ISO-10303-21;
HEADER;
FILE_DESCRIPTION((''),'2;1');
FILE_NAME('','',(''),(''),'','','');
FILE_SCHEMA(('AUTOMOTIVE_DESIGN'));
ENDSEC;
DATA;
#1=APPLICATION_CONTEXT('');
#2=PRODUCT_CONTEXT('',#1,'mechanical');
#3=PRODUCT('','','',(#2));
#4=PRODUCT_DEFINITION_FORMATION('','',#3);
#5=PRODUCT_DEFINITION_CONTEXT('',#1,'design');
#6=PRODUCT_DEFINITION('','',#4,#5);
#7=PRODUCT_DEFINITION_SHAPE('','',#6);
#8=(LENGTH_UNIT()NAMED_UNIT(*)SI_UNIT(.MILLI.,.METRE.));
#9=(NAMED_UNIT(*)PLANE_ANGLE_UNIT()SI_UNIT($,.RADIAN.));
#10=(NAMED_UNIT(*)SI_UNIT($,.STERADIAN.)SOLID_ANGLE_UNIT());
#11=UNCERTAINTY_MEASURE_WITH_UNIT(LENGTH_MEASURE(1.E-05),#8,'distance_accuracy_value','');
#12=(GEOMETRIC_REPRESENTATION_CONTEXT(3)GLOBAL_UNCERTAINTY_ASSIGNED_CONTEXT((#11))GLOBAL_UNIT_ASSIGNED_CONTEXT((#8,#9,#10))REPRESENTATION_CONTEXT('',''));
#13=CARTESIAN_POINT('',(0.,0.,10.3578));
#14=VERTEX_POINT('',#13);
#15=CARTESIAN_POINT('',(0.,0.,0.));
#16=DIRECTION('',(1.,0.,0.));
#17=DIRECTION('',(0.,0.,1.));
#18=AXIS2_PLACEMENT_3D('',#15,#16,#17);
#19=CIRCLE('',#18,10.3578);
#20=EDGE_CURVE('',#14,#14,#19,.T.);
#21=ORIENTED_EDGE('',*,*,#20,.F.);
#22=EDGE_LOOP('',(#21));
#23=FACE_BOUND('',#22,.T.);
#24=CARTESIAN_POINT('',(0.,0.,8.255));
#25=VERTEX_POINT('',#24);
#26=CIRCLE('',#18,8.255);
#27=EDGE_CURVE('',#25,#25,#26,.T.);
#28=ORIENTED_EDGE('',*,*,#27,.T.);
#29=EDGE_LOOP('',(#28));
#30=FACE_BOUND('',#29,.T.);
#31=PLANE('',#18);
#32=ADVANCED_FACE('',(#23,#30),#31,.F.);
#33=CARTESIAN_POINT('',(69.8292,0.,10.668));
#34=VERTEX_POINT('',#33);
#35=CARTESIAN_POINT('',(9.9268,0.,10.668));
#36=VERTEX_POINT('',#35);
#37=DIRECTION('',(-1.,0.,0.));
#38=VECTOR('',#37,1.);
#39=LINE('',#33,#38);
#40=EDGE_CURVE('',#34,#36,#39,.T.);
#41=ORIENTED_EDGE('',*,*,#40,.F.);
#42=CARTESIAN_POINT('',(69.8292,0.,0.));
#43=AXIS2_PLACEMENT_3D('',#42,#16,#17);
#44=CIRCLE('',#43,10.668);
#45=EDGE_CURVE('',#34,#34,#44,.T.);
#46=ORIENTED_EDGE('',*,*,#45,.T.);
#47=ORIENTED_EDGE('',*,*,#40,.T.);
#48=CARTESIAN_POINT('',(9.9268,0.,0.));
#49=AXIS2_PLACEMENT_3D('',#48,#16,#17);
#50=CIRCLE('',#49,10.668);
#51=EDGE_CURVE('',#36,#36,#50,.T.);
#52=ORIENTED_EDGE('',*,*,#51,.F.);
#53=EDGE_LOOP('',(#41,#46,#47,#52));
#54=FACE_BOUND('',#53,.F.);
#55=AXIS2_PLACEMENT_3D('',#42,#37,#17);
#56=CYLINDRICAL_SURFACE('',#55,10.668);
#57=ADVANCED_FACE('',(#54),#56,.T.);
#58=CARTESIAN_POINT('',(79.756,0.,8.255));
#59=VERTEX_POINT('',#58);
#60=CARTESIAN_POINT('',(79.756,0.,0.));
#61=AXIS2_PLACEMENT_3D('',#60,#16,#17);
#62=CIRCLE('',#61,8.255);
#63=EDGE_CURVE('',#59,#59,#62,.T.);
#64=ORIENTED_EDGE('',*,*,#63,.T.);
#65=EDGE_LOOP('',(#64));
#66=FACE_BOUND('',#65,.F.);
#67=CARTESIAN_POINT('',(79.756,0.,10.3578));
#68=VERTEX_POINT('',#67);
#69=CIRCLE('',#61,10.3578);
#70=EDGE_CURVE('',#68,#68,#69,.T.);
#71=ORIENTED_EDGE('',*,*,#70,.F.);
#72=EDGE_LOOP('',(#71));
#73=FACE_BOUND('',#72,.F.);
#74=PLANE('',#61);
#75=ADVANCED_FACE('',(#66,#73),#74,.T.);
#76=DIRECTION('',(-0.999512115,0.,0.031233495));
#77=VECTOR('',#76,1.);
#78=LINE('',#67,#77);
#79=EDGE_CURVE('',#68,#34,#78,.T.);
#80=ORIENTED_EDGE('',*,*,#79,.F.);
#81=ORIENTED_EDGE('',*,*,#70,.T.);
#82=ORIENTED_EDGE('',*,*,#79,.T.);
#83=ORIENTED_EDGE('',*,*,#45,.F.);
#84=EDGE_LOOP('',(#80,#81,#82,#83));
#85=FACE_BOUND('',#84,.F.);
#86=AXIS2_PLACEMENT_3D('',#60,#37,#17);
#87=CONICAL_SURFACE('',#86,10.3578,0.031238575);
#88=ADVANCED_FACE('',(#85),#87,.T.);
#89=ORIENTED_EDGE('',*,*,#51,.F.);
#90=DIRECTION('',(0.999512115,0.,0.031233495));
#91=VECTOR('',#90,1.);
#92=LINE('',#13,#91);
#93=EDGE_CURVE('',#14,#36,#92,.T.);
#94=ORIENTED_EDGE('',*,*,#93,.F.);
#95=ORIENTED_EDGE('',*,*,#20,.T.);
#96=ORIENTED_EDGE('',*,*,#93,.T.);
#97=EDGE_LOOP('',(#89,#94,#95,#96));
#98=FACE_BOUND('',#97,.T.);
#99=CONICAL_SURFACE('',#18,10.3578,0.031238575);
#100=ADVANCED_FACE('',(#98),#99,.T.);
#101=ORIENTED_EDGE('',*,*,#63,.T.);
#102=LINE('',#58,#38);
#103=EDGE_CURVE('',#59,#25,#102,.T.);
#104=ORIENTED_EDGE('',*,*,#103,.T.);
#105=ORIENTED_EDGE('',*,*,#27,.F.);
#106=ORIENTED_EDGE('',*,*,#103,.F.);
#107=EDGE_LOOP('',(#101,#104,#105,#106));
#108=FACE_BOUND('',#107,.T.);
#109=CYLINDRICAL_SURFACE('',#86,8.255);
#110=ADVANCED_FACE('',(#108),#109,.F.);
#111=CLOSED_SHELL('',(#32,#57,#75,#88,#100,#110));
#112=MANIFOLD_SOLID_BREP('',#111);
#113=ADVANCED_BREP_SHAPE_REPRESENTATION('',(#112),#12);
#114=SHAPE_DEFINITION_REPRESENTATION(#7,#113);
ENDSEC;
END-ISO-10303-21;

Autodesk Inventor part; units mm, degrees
ref_plane "YZ Plane" through (0, 0, 0) normal (1, 0, 0) x (0, 1, 0)
ref_plane "XZ Plane" through (0, 0, 0) normal (0, 1, 0) x (-1, 0, 0)
ref_plane "XY Plane" through (0, 0, 0) normal (0, 0, 1) x (1, 0, 0)
sketch "Sketch1" plane through (0, 0, 0) normal (0, 1, 0) x (-1, 0, 0)
  line L0 (0, 0) -> (-79.756, 0)
  line L1 (-79.756, 0) -> (-79.756, 8.255) construction
  line L2 (-79.756, 8.255) -> (-79.756, 10.3578)
  line L3 (-79.756, 10.3578) -> (-69.8292, 10.668)
  line L4 (-69.8292, 10.668) -> (-9.9268, 10.668)
  line L5 (-39.878, 0) -> (-39.878, 10.668) construction
  line L6 (-79.756, 8.255) -> (0, 8.255)
  line L7 (0, 0) -> (0, 8.255) construction
  line L8 (0, 8.255) -> (0, 10.3578)
  line L9 (0, 10.3578) -> (-9.9268, 10.668)
  line L10 (-66.2, 10.7814) -> (-66.2, 0) construction
  line L11 (-13.556, 10.7814) -> (-13.556, 0) construction
  line L12 (-69.8292, 10.668) -> (-66.2, 10.7814) construction
  line L13 (-69.8292, 10.668) -> (-69.8292, 0) construction
  line L14 (-9.9268, 10.668) -> (-13.556, 10.7814) construction
  line L15 (-9.9268, 10.668) -> (-9.9268, 0) construction
  dimension "d0" = 21.336
  dimension "d1" = 1.79
  dimension "d2" = 16.51
  dimension "d3" = 79.756
  dimension "d4" = 13.556
  dimension "d5" = 21.5628
revolve "Revolution1" add sketch "Sketch1" angle 360 about axis through (0, 0, 0) along (1, 0, 0)
thread "Thread1" size "1/2" designation "1/2 - 14 NPT" standard "NPT" full length
thread "Thread2" size "1/2" designation "1/2 - 14 NPT" standard "NPT" full length
equation "\"d0\" = OD"
equation "\"d2\" = ID"
equation "\"d3\" = L"
equation "\"d4\" = L2"
equation "\"d5\" = D2"
equation "\"OD\" = 21.336"
equation "\"t\" = 2.413"
equation "\"L\" = PL"
equation "\"L4\" = 19.8501"
equation "\"ID\" = 16.51"
equation "\"PL\" = 79.756"
equation "\"D2\" = 21.56282"
equation "\"L2\" = 13.55598"
equation "\"Size_Designation\" = 1.2345"
equation "\"PLmin\" = 2 * L2"
properties material "Steel, Wrought"
